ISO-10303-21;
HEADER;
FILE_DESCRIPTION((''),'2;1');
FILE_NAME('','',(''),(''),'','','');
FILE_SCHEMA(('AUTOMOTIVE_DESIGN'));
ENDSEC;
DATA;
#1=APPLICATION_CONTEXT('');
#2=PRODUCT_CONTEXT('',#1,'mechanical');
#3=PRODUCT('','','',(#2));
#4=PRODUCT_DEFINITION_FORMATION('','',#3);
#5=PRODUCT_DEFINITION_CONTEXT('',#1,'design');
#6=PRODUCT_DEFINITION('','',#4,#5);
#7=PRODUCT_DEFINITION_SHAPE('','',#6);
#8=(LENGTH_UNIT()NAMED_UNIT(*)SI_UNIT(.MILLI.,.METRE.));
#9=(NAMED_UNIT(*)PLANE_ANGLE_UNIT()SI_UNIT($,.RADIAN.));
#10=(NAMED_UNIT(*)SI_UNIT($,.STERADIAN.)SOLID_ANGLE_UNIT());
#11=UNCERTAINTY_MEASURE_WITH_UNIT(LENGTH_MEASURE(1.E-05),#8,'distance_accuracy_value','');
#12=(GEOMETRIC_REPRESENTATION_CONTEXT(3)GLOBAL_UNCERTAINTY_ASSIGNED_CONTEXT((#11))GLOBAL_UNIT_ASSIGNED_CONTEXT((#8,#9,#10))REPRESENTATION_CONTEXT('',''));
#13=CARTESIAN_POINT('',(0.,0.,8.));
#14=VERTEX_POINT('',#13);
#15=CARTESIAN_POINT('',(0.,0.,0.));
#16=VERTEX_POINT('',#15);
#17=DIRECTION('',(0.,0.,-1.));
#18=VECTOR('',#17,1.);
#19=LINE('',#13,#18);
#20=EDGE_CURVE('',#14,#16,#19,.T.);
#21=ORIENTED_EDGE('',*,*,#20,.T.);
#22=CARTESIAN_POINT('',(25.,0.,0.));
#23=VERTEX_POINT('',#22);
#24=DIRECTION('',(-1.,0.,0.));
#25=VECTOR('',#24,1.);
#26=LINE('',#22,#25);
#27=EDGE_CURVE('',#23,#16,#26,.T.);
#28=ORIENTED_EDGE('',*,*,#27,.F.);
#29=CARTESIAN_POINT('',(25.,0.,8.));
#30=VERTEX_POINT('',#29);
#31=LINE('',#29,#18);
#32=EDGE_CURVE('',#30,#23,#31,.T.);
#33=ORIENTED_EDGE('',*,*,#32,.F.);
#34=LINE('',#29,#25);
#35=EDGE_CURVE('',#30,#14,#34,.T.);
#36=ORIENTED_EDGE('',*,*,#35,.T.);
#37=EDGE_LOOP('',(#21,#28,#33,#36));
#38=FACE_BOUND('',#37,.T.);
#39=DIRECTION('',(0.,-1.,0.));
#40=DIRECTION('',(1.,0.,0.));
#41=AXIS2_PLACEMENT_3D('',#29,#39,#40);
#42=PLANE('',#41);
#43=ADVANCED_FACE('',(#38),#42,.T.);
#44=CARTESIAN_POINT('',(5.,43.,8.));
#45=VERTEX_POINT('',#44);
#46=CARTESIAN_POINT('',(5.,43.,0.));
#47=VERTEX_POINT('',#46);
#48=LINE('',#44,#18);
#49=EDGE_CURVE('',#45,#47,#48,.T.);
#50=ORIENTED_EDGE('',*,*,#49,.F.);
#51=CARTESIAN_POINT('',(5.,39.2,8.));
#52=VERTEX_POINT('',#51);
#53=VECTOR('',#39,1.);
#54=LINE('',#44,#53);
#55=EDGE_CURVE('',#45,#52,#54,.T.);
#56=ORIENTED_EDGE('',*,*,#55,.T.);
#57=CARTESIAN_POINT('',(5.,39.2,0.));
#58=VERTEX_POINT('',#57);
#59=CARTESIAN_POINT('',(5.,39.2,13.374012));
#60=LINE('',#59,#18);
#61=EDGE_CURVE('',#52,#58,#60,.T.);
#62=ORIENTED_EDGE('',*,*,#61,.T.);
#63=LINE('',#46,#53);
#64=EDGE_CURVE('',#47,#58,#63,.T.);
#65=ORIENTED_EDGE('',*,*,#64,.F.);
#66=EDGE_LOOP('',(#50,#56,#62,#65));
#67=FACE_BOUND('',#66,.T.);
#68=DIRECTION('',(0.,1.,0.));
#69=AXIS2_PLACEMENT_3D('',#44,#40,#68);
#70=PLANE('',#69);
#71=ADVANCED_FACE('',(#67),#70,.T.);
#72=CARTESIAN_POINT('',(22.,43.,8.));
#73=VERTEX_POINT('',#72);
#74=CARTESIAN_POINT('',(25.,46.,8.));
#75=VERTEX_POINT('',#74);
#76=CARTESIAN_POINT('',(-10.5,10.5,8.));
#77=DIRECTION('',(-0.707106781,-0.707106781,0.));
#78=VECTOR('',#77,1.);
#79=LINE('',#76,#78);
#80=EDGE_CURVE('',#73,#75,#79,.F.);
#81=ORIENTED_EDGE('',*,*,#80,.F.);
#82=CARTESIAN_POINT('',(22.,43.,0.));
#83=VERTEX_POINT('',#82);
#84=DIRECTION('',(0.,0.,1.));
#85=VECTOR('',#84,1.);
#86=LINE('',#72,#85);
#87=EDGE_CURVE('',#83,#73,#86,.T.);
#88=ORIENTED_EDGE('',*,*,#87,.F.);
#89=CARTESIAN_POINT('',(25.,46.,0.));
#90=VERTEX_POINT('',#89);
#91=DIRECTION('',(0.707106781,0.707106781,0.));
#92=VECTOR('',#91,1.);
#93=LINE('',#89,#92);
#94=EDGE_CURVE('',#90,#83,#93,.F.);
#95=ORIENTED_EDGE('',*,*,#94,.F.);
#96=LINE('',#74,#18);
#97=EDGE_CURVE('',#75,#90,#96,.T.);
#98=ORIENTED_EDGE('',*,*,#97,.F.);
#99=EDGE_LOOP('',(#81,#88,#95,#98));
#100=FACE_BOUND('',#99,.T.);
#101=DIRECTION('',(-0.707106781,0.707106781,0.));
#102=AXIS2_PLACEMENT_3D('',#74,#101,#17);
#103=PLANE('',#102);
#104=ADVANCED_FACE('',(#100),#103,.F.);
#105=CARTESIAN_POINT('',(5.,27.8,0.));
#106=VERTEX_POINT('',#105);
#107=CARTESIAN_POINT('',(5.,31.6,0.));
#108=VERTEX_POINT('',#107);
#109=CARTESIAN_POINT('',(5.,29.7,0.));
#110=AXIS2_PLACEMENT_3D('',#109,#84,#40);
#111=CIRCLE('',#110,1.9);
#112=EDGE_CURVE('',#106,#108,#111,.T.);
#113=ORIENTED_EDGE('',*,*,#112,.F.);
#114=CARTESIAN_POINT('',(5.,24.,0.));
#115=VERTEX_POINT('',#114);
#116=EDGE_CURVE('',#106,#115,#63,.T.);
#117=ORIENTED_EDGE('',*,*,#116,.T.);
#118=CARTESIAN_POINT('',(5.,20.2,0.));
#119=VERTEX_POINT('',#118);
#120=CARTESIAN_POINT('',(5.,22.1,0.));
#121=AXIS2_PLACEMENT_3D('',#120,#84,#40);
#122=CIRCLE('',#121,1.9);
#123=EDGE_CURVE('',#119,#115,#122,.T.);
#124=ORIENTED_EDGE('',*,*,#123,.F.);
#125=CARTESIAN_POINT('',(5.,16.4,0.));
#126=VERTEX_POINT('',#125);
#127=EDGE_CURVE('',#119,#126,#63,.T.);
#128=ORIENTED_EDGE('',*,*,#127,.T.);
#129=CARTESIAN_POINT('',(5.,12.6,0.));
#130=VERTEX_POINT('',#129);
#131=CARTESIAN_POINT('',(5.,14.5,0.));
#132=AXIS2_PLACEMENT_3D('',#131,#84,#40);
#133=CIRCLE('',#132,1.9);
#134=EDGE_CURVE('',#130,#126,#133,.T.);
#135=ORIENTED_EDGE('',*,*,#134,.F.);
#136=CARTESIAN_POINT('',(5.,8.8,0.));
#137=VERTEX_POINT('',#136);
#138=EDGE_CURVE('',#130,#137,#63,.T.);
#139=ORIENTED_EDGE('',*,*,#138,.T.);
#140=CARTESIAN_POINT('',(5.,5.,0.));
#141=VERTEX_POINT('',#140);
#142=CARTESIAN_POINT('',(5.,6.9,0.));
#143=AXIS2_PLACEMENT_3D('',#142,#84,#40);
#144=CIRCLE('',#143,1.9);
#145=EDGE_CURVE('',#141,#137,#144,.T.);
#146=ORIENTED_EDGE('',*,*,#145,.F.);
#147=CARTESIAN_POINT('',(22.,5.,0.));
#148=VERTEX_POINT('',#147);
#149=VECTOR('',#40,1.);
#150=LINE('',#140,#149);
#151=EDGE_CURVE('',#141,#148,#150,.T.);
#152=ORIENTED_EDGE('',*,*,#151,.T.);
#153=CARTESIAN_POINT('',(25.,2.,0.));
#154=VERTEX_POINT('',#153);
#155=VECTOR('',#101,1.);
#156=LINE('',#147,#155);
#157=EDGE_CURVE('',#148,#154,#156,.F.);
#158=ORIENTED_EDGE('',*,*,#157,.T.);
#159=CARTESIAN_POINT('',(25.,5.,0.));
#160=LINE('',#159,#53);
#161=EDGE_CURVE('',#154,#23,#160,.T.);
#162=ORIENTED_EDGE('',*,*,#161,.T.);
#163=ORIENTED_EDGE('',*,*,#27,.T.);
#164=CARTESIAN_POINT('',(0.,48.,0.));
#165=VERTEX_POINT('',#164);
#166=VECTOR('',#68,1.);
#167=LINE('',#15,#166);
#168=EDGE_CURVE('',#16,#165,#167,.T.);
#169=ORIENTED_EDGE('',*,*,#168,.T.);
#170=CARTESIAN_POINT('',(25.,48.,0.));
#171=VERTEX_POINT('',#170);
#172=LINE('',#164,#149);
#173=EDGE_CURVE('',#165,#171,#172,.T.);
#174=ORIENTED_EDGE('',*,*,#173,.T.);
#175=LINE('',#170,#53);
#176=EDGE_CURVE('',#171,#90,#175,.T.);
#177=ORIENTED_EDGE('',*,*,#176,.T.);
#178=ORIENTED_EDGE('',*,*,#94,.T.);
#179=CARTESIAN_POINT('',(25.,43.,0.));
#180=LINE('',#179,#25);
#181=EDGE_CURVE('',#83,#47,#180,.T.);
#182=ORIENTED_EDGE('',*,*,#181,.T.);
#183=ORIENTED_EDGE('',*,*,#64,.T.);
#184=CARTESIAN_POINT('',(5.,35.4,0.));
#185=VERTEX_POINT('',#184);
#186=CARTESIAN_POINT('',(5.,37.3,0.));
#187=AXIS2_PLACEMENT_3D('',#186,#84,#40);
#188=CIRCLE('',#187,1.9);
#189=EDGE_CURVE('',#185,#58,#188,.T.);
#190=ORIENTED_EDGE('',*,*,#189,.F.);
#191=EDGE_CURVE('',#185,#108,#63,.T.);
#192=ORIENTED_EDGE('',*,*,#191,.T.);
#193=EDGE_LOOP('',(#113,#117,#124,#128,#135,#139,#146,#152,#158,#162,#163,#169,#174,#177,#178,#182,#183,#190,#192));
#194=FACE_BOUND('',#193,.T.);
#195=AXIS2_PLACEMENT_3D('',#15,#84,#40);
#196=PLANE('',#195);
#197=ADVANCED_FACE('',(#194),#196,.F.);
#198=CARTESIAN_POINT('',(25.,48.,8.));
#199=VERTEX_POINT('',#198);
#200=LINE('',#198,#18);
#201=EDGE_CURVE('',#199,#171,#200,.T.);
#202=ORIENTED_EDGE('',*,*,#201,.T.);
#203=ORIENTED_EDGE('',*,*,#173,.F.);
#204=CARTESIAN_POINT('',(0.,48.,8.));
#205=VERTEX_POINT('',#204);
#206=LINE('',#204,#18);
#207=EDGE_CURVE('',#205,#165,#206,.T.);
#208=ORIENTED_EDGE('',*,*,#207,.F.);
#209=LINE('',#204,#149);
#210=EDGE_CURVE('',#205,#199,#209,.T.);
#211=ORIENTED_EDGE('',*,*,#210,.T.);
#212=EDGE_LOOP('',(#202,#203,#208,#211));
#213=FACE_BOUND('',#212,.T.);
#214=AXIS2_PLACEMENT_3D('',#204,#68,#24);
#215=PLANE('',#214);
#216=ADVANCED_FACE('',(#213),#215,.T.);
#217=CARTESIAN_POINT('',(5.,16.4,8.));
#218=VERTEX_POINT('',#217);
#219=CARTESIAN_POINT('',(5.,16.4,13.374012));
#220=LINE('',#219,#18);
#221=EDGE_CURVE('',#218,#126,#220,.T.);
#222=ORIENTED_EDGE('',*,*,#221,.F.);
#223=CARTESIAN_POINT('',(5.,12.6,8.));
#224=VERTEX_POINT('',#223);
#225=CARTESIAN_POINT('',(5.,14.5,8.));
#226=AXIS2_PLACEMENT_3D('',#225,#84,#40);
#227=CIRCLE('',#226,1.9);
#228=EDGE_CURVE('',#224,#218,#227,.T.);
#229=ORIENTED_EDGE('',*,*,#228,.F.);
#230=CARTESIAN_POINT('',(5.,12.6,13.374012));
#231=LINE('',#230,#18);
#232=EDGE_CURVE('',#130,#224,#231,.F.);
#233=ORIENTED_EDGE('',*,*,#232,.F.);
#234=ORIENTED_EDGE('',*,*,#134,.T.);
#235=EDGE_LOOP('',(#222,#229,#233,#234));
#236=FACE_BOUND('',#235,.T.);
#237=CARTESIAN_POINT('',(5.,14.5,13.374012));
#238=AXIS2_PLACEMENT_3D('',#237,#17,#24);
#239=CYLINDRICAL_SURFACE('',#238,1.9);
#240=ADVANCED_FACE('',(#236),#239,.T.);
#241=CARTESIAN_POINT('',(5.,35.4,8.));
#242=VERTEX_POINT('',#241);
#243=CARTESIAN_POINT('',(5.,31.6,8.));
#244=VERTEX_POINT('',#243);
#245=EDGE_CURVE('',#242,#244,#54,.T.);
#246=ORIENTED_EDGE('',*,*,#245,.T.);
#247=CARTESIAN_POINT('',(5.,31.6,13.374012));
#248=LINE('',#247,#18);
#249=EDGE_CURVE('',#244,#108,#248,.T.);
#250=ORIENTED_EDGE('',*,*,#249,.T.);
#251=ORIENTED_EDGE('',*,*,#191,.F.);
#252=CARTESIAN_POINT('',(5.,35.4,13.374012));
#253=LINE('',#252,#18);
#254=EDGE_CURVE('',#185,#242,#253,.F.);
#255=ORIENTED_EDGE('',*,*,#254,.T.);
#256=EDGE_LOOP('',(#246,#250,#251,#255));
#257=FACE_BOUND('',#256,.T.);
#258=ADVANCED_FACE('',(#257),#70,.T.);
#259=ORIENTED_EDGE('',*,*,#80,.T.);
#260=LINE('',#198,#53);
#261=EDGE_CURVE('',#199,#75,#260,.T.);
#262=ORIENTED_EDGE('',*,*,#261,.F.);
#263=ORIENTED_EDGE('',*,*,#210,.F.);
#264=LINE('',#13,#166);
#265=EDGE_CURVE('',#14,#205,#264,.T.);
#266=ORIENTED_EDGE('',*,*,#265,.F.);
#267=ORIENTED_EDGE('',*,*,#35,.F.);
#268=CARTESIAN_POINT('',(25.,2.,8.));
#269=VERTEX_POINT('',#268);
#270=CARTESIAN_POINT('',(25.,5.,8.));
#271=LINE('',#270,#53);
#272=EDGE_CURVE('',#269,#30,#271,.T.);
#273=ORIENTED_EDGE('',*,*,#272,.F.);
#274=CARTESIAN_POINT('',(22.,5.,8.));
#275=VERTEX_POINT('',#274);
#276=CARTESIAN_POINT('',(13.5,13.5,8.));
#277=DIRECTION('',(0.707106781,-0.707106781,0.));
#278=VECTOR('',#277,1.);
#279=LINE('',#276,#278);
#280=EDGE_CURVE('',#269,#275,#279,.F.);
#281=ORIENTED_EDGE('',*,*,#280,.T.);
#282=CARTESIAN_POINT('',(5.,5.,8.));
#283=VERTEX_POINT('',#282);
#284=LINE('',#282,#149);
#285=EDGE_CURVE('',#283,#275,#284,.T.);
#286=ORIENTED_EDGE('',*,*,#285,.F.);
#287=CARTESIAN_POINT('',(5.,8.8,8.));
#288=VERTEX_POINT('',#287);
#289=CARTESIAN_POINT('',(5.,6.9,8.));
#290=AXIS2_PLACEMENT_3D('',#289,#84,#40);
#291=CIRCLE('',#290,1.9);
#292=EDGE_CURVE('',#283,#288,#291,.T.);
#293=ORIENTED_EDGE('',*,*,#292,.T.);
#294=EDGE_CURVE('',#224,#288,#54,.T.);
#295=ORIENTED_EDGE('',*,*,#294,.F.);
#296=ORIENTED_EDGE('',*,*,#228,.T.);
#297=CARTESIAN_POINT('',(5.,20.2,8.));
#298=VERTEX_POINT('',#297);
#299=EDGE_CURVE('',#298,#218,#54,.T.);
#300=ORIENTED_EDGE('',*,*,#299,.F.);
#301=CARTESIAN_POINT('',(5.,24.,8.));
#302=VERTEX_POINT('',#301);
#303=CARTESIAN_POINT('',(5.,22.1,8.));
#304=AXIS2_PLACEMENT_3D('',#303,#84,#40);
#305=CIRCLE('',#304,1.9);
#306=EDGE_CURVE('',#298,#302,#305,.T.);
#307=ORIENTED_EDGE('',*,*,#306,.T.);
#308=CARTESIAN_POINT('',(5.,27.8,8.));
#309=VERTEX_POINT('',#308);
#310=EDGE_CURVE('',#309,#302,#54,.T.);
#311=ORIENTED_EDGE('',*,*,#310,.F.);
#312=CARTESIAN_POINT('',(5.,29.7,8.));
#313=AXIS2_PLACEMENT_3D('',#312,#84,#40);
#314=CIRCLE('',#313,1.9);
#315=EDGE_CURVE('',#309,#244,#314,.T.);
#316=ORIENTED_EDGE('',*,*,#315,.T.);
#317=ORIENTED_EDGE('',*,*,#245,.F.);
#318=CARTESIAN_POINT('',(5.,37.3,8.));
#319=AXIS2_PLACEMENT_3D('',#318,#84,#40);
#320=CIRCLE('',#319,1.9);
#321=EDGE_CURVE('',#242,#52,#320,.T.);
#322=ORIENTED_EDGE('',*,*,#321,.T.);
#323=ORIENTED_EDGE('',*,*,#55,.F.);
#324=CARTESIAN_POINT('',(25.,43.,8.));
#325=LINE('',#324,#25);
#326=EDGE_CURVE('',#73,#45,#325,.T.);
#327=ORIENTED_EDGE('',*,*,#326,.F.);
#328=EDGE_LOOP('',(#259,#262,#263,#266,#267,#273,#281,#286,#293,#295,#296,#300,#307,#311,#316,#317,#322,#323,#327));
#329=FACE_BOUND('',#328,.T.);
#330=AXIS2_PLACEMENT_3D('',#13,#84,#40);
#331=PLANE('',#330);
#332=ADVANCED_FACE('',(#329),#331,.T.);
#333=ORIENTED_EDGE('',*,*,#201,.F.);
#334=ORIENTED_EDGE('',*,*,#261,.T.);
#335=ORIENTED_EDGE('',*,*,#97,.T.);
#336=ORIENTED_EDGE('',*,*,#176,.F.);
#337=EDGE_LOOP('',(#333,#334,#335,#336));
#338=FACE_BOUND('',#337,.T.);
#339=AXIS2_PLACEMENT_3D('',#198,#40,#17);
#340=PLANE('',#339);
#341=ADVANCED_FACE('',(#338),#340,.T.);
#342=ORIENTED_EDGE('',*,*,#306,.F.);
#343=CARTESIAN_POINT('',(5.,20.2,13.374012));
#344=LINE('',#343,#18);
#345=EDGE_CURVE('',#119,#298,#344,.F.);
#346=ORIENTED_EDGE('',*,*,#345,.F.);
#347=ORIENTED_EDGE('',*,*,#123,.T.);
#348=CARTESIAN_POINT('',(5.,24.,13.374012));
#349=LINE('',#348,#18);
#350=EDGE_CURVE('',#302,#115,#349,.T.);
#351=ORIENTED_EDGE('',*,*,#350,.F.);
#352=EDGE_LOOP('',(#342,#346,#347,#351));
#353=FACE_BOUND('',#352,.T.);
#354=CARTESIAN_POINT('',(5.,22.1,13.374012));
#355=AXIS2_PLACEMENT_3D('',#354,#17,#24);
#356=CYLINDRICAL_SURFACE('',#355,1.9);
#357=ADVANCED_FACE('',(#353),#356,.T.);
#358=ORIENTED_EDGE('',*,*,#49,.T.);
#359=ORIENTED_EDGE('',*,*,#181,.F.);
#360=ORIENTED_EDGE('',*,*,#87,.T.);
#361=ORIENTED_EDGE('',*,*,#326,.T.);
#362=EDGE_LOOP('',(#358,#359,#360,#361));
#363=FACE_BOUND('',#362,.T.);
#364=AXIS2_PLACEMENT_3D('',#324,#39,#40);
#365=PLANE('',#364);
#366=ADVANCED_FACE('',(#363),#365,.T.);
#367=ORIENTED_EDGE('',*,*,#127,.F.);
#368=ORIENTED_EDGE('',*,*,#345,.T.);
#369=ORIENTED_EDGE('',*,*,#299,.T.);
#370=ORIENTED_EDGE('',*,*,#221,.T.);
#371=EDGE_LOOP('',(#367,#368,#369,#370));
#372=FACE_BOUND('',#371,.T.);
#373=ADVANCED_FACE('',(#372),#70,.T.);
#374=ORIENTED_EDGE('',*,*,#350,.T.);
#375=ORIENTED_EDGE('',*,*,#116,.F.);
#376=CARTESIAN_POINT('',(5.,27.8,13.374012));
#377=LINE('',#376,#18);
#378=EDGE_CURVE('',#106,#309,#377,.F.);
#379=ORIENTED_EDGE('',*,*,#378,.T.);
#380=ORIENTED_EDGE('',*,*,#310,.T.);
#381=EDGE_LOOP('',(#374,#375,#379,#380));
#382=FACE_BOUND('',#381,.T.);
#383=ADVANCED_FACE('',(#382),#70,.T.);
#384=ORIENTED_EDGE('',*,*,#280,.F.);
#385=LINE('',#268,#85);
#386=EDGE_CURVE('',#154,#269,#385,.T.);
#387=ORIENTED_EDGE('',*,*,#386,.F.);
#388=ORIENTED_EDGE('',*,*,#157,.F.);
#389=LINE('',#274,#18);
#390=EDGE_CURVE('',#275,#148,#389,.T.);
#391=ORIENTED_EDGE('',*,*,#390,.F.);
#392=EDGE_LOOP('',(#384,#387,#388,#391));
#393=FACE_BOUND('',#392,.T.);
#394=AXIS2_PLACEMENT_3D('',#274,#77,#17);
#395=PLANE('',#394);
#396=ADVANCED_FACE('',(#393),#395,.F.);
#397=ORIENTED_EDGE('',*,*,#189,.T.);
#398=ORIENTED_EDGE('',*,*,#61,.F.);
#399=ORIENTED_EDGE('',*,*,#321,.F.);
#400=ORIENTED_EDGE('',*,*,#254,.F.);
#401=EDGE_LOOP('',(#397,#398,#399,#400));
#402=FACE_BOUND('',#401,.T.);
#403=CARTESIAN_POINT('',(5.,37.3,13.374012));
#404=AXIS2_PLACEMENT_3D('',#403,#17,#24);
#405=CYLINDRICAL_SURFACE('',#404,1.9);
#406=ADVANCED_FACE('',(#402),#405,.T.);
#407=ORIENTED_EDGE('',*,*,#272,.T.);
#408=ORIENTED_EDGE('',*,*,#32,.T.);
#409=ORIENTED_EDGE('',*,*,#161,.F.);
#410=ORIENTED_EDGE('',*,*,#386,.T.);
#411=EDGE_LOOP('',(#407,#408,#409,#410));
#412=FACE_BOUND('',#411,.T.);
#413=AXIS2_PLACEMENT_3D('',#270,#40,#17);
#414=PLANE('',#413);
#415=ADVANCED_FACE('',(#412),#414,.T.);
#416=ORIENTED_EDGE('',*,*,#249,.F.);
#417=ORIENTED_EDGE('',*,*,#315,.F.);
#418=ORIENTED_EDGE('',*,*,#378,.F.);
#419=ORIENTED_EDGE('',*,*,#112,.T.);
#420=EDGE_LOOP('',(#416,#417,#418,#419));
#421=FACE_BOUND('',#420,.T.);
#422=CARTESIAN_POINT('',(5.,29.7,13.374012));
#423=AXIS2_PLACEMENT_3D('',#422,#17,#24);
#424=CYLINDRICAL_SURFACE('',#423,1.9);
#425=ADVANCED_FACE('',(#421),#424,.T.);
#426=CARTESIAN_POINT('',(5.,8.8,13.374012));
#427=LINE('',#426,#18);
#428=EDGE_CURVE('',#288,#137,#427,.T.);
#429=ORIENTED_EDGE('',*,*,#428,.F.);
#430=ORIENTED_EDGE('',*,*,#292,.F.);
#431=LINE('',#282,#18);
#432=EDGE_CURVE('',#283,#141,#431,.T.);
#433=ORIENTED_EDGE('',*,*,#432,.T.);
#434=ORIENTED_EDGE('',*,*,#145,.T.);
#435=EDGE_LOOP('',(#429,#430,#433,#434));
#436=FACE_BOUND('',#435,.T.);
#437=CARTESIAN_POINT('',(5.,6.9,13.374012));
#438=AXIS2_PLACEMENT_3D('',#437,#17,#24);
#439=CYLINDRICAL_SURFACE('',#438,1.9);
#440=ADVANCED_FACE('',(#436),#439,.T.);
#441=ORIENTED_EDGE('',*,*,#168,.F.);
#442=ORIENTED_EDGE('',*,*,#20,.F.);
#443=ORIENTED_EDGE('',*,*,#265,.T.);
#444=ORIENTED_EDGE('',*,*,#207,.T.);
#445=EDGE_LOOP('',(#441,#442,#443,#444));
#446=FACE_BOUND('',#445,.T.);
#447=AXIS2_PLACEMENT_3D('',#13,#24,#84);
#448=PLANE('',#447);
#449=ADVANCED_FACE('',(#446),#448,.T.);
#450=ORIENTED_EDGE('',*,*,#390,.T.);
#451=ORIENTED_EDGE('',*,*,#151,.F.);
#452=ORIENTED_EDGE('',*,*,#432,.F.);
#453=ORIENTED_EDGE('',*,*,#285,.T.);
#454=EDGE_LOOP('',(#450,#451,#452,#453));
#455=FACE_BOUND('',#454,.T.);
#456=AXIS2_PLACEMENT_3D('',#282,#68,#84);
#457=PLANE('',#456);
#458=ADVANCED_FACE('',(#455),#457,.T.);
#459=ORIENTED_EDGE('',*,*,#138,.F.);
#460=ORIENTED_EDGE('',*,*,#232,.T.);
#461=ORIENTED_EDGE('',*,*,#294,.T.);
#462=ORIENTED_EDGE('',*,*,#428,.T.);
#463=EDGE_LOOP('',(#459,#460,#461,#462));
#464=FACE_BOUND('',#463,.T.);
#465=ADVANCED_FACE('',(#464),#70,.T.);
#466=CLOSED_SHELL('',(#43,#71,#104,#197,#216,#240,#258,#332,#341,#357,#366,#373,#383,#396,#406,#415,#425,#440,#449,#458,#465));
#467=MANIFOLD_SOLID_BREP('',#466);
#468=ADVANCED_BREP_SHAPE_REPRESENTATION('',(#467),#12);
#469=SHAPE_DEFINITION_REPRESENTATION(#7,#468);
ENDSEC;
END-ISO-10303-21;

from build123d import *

# Parameters (mm, degrees)
BOSS_EXTRUDE1_DEPTH = 8
SKETCH1_3_R         = 1.9
BOSS_EXTRUDE2_DEPTH = 8
LPATTERN1_COUNT     = 5
LPATTERN1_PITCH     = 7.6
CHAMFER1_SIZE       = 3


with BuildPart() as part:
    # Sketch1 → Boss-Extrude1 (new body)
    with BuildSketch(Plane.XY):
        Polygon((0, 0), (0, 48), (25, 48), (25, 43), (5, 43), (5, 5), (25, 5), (25, 0), align=None)
    extrude(amount=BOSS_EXTRUDE1_DEPTH)

    # Sketch1<3> → Boss-Extrude2 (add)
    with BuildSketch(Plane.XY):
        with Locations((5, 6.9)):
            Circle(SKETCH1_3_R)
    boss_extrude2 = extrude(amount=BOSS_EXTRUDE2_DEPTH)

    # LPattern1: Boss-Extrude2 ×5
    with Locations(*[(0, i * LPATTERN1_PITCH, 0) for i in range(1, LPATTERN1_COUNT)]):
        add(boss_extrude2)

    # Chamfer1
    chamfer1_edges = [part.edges().sort_by_distance(p)[0] for p in [
        (25, 43, 4),
        (25, 5, 4),
    ]]
    chamfer(chamfer1_edges, length=CHAMFER1_SIZE)


solid = part.part
